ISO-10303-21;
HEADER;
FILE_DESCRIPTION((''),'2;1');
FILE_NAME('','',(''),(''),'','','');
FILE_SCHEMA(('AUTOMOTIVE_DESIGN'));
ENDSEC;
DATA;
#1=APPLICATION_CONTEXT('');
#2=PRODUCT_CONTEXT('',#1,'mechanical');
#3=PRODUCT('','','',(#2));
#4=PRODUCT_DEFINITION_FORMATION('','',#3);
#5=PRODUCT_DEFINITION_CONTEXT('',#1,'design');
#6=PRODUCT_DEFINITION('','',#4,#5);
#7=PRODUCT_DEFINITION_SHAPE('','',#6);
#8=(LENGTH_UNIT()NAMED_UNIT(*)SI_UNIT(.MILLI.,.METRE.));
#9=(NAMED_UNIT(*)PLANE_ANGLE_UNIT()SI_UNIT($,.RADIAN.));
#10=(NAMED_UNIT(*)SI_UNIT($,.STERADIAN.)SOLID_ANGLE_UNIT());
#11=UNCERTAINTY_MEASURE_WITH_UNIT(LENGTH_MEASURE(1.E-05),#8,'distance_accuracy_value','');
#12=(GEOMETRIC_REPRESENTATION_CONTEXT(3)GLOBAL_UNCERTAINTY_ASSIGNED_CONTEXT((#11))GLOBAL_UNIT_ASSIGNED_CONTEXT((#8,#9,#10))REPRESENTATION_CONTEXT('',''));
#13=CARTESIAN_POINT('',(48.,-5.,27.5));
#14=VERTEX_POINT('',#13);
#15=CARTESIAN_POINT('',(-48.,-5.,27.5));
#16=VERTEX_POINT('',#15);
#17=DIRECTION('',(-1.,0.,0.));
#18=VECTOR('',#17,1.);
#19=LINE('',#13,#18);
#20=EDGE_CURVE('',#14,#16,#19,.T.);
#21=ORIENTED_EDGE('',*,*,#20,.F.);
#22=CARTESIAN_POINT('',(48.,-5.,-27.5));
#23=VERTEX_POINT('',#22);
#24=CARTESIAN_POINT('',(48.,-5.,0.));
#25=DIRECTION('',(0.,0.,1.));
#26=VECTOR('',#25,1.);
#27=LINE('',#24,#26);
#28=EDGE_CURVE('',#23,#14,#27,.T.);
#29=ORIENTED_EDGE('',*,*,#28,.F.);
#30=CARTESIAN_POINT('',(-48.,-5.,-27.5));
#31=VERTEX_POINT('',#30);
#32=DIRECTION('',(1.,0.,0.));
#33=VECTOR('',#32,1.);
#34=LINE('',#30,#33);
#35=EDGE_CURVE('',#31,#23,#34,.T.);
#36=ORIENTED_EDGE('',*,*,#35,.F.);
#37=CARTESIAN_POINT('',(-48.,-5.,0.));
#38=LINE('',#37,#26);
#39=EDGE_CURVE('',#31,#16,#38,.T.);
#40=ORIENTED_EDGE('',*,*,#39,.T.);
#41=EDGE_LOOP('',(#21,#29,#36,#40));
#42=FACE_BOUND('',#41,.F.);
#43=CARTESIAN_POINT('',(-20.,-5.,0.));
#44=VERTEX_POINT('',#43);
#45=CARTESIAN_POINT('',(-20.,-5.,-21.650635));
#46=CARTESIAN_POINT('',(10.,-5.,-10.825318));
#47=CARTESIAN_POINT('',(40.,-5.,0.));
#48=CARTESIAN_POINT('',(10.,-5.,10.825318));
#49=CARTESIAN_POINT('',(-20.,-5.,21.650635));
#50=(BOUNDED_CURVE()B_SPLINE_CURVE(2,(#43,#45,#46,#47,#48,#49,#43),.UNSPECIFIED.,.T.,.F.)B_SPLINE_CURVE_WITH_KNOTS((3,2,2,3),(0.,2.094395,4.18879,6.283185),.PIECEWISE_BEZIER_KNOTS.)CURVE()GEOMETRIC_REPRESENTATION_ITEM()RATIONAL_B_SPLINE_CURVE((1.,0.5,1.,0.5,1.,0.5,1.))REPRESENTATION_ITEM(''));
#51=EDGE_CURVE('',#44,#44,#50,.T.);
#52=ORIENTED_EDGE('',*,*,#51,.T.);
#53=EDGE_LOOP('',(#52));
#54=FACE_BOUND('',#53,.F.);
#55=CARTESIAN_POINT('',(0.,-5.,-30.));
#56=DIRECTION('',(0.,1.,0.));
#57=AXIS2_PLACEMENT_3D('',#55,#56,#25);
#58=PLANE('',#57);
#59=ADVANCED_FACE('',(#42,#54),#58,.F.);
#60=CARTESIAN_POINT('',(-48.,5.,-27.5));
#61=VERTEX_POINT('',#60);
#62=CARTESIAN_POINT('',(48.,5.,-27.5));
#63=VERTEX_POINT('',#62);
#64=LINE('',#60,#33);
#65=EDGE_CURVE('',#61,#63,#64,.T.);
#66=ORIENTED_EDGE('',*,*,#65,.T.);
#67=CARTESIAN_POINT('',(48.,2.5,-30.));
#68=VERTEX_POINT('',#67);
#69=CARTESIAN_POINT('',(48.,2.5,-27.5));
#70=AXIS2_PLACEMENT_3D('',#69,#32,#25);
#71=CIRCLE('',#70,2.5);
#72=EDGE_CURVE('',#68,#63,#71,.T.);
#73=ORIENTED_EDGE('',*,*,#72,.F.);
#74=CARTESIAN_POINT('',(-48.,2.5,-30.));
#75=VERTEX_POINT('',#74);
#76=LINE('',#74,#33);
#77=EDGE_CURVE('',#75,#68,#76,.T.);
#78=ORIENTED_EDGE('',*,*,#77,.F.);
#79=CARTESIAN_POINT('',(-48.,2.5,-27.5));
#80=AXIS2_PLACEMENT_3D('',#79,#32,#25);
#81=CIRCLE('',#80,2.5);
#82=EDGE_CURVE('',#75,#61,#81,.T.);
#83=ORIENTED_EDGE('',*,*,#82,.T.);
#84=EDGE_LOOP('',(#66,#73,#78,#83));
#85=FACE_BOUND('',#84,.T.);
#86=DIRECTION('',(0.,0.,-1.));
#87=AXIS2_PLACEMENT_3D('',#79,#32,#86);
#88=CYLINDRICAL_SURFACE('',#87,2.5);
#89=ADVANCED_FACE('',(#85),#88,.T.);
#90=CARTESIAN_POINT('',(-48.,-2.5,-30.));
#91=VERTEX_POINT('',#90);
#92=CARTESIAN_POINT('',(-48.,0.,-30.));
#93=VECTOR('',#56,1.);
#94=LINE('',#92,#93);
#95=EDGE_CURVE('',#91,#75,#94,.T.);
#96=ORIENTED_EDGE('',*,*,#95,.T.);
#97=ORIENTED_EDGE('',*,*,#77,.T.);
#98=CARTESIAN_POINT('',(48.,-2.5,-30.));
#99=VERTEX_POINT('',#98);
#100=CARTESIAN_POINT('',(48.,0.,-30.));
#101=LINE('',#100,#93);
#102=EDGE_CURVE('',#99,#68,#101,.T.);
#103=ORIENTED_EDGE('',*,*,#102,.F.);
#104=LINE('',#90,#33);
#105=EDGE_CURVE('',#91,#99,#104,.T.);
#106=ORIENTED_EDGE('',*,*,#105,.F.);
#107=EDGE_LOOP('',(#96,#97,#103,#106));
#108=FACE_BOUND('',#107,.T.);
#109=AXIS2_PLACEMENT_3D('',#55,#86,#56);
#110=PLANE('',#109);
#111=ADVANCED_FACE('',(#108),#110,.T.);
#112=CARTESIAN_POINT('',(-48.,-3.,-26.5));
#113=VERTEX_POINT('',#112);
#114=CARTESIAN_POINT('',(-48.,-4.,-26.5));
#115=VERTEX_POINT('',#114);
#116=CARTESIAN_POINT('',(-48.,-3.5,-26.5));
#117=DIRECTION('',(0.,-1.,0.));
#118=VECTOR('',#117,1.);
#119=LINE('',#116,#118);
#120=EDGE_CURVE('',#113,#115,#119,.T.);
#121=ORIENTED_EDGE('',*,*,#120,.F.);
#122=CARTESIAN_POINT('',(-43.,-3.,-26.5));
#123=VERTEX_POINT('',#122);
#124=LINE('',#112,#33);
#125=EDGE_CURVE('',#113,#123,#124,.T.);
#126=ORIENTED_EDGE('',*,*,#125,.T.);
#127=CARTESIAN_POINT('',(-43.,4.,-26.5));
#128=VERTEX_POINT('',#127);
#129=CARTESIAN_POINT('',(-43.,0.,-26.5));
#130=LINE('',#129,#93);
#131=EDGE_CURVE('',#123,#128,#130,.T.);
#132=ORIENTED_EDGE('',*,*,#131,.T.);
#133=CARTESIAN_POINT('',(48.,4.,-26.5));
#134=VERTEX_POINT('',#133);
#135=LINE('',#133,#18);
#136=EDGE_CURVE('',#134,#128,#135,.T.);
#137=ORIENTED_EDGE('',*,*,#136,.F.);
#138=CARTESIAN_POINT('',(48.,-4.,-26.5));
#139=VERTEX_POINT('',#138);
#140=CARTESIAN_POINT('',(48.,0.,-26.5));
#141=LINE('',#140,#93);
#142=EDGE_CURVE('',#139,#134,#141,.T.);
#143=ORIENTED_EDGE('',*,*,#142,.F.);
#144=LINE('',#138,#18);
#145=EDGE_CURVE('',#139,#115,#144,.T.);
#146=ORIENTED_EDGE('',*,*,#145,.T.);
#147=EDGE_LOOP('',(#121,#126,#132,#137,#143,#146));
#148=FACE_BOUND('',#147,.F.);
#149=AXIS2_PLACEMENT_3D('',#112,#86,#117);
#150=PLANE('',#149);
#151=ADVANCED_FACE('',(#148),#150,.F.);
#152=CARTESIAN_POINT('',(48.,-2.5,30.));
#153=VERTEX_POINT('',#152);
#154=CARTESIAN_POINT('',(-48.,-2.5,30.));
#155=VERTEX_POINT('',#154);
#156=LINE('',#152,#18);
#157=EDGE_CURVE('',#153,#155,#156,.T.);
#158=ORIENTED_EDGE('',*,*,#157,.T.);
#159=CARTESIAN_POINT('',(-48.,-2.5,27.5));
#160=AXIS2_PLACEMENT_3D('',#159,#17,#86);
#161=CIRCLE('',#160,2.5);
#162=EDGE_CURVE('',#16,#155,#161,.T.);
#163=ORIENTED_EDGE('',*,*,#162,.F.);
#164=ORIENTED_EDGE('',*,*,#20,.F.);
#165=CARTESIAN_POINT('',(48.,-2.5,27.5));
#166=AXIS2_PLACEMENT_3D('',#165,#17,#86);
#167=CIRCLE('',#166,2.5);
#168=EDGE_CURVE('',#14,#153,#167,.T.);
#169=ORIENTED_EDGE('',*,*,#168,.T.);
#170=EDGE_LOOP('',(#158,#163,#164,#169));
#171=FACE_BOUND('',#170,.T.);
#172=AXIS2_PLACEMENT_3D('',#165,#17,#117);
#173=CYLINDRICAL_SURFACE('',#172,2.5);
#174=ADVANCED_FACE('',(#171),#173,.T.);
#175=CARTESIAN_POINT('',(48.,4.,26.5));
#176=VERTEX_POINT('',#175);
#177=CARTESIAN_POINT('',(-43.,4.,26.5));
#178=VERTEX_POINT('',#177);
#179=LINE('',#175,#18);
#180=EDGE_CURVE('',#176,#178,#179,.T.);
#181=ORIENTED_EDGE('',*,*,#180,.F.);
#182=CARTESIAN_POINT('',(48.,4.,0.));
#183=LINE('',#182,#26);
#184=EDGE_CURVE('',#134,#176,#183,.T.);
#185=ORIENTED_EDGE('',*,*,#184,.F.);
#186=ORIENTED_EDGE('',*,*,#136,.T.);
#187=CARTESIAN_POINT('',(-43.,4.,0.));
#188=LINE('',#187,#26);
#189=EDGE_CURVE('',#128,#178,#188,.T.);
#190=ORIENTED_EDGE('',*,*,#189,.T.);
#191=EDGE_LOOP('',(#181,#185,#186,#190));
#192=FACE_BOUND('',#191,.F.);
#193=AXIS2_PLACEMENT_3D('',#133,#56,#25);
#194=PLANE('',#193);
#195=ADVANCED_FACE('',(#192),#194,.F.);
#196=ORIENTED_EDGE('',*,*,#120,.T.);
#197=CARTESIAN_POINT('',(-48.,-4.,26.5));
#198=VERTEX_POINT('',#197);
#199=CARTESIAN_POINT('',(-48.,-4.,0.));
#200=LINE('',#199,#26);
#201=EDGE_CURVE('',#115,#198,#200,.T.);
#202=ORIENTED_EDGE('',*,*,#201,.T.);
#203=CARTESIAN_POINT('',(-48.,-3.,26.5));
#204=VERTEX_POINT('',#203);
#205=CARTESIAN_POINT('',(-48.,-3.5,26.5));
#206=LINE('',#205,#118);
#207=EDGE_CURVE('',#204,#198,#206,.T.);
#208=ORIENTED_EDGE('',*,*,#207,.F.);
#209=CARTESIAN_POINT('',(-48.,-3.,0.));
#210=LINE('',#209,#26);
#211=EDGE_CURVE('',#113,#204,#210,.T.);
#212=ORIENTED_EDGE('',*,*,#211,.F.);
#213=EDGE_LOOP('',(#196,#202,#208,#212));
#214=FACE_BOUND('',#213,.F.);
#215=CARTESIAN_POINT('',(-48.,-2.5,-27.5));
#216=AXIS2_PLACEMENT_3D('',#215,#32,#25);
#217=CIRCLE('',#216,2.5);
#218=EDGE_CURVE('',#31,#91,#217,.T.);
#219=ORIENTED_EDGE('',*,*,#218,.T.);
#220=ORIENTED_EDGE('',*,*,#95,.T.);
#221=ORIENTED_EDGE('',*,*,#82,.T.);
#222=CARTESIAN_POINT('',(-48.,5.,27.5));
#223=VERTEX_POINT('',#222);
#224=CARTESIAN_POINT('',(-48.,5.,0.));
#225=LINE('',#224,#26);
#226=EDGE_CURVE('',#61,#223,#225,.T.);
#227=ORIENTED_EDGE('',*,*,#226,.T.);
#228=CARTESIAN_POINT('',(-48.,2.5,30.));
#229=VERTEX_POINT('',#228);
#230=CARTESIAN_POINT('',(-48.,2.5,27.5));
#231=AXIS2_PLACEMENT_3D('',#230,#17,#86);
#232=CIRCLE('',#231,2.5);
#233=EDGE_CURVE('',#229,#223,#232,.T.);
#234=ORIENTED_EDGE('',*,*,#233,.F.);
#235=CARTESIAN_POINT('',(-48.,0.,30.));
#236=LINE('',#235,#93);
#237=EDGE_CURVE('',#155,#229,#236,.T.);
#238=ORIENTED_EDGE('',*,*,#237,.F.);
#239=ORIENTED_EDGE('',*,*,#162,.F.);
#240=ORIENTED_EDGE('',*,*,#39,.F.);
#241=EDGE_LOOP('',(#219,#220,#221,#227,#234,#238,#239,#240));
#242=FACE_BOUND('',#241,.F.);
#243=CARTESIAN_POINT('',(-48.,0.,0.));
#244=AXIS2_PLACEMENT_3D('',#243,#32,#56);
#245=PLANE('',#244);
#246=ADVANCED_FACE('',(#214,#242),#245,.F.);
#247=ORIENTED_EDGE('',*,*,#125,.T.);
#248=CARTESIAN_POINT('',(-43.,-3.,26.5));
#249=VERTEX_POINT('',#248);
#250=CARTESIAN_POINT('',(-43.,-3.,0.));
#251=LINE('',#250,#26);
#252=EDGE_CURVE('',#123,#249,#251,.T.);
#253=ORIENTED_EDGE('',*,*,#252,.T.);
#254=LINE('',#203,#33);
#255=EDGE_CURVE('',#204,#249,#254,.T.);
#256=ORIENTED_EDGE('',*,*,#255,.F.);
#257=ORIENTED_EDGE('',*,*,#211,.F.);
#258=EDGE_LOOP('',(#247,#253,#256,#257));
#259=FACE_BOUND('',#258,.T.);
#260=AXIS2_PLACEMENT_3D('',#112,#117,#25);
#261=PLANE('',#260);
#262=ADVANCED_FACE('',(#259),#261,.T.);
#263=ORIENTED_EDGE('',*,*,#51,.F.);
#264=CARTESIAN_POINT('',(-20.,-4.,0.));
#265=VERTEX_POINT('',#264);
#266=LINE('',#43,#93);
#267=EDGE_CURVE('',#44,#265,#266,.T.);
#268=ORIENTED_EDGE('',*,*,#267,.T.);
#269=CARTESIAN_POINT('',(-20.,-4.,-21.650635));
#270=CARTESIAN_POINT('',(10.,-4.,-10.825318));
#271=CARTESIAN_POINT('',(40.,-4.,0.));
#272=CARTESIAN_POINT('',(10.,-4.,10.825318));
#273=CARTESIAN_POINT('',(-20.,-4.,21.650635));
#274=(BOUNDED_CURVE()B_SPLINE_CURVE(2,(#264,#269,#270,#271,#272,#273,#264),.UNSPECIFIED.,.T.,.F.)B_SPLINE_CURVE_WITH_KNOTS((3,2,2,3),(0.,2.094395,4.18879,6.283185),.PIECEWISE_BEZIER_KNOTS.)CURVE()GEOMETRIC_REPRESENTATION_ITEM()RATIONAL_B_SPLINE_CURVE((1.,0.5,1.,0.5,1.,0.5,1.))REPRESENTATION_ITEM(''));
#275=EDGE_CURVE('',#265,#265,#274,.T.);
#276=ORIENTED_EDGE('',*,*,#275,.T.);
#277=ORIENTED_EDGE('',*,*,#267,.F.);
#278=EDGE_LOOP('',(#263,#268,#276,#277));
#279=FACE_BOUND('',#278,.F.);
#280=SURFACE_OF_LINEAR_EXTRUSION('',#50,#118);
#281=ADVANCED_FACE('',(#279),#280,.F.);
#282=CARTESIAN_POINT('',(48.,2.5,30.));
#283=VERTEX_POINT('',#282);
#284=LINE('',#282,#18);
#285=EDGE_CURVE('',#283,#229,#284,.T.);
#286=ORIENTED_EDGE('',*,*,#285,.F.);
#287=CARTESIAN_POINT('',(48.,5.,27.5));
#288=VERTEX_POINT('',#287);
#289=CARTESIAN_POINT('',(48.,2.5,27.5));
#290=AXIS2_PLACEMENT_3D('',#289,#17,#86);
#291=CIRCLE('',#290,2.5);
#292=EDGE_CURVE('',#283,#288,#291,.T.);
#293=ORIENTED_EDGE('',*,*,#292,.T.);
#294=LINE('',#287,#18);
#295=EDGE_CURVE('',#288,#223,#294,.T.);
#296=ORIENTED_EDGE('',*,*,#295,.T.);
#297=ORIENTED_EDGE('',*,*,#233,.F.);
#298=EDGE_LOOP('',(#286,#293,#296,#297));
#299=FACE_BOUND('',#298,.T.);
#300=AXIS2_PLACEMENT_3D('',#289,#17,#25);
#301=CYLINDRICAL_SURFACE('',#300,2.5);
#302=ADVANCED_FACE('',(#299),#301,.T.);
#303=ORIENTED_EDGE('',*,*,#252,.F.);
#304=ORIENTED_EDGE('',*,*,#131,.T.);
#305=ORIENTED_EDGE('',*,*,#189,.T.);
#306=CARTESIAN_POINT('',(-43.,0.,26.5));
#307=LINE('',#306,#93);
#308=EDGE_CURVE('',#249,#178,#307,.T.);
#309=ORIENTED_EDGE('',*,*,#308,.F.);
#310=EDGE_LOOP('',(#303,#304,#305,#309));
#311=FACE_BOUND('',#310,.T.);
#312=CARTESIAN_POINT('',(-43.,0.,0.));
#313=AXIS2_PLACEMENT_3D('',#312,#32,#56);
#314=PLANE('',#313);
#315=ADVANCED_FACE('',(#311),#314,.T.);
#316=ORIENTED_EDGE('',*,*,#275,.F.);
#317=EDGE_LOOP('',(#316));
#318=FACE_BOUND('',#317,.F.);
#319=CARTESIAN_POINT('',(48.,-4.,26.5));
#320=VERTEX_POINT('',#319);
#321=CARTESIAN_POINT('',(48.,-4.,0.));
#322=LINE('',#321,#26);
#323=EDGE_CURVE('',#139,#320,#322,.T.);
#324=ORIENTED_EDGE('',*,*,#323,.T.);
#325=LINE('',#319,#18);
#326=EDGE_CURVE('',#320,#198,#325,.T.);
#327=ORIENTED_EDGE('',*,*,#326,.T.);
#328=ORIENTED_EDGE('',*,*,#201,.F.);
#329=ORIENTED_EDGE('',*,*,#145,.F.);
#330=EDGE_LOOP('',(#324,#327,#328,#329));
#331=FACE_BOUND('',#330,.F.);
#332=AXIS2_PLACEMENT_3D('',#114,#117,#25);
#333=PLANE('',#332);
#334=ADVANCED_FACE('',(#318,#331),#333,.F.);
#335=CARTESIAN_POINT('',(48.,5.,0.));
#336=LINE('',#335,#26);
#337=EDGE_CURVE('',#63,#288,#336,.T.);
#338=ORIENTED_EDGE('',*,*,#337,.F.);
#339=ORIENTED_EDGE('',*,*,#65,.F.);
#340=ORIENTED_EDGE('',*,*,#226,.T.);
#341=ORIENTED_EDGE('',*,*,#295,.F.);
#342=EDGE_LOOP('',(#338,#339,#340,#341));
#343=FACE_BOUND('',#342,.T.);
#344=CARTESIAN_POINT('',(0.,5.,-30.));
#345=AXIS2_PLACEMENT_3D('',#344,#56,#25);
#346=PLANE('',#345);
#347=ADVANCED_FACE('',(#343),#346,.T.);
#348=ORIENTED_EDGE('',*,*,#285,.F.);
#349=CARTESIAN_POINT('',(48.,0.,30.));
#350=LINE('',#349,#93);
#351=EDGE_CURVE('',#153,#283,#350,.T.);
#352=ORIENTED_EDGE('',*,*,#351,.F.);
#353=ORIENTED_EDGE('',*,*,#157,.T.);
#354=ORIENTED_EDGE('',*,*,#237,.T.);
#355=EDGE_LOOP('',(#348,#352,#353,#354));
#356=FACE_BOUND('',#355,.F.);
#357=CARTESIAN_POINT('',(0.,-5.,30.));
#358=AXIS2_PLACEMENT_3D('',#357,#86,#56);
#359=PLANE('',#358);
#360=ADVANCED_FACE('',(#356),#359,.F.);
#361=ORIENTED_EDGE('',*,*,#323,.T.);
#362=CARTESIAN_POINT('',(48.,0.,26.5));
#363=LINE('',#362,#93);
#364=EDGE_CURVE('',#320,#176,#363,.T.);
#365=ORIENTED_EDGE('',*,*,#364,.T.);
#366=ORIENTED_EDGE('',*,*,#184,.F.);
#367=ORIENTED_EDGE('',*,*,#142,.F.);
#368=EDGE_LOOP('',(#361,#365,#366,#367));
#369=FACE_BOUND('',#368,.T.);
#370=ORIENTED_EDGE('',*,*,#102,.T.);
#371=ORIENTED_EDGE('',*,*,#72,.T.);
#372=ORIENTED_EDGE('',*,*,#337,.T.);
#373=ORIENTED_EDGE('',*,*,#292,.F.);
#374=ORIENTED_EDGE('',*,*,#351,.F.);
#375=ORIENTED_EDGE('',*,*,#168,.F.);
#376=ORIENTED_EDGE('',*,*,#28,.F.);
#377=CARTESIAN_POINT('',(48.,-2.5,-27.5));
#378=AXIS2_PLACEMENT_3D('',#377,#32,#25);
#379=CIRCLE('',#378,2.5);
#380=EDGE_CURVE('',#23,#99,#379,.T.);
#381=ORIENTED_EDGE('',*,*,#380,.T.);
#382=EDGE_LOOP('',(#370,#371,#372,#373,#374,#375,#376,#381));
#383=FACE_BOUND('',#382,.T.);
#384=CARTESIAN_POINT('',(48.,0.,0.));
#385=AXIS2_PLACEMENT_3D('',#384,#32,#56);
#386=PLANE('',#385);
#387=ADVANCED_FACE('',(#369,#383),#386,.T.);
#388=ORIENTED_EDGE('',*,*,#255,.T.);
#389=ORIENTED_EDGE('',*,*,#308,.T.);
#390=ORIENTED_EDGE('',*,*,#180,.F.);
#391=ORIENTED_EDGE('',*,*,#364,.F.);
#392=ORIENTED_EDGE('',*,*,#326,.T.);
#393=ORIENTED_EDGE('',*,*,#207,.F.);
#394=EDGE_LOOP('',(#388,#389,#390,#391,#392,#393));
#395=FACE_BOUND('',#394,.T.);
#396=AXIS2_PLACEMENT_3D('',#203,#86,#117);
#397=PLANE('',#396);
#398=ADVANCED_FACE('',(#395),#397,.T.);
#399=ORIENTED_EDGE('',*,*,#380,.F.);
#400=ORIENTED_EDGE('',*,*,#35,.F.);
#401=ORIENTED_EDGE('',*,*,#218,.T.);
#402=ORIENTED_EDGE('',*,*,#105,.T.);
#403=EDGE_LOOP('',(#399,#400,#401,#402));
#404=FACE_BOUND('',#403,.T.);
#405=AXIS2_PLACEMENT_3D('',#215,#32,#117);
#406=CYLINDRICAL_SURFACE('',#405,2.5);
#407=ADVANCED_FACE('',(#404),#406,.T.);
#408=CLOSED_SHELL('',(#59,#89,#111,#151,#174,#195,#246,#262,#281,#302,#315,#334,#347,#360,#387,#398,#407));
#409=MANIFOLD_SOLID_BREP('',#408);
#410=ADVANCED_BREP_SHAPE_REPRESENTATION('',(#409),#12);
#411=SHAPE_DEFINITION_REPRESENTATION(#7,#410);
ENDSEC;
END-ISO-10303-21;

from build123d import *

# Parameters (mm, degrees)
F0_W     = 10
F0_H     = 60
F1_DEPTH = 48
F2_W     = 8
F2_H     = 53
F3_DEPTH = 91
F4_W     = 1
F4_H     = 53
F5_DEPTH = 5
F7_DEPTH = 1
F8_R     = 2.5


with BuildPart() as f1:
    # F0 (on Right) → F1 (new body, symmetric)
    with BuildSketch(Plane.YZ):
        Rectangle(F0_W, F0_H)
    extrude(amount=F1_DEPTH, both=True)

    # F2 (on face) → F3 (cut)
    with BuildSketch(Plane.YZ.offset(48)):
        Rectangle(F2_W, F2_H)
    extrude(amount=-F3_DEPTH, mode=Mode.SUBTRACT)

    # F4 (on face) → F5 (cut, through all)
    with BuildSketch(Plane(origin=(-48, 0, 0), x_dir=(0, -1, 0), z_dir=(-1, 0, 0))):
        with Locations((3.5, 0)):
            Rectangle(F4_W, F4_H)
    extrude(amount=-F5_DEPTH, mode=Mode.SUBTRACT)

    # F6 (on face) → F7 (cut, through all)
    with BuildSketch(Plane.XZ.offset(5)):
        with BuildLine():
            add(Edge.make_bspline(
                [(-20, 0), (-20, -21.650635), (10, -10.825318), (40, 0), (10, 10.825318), (-20, 21.650635), (-20, 0)],
                knots=[0, 0, 0, 2.094395, 2.094395, 4.18879, 4.18879, 6.283185, 6.283185, 6.283185], degree=2, weights=[1, 0.5, 1, 0.5, 1, 0.5, 1]))
        make_face()
    extrude(amount=-F7_DEPTH, mode=Mode.SUBTRACT)

    # F8
    f8_edges = [f1.edges().sort_by_distance(p)[0] for p in [
        (0, 5, 30),
        (0, -5, 30),
        (0, -5, -30),
        (0, 5, -30),
    ]]
    fillet(f8_edges, radius=F8_R)


solid = f1.part
